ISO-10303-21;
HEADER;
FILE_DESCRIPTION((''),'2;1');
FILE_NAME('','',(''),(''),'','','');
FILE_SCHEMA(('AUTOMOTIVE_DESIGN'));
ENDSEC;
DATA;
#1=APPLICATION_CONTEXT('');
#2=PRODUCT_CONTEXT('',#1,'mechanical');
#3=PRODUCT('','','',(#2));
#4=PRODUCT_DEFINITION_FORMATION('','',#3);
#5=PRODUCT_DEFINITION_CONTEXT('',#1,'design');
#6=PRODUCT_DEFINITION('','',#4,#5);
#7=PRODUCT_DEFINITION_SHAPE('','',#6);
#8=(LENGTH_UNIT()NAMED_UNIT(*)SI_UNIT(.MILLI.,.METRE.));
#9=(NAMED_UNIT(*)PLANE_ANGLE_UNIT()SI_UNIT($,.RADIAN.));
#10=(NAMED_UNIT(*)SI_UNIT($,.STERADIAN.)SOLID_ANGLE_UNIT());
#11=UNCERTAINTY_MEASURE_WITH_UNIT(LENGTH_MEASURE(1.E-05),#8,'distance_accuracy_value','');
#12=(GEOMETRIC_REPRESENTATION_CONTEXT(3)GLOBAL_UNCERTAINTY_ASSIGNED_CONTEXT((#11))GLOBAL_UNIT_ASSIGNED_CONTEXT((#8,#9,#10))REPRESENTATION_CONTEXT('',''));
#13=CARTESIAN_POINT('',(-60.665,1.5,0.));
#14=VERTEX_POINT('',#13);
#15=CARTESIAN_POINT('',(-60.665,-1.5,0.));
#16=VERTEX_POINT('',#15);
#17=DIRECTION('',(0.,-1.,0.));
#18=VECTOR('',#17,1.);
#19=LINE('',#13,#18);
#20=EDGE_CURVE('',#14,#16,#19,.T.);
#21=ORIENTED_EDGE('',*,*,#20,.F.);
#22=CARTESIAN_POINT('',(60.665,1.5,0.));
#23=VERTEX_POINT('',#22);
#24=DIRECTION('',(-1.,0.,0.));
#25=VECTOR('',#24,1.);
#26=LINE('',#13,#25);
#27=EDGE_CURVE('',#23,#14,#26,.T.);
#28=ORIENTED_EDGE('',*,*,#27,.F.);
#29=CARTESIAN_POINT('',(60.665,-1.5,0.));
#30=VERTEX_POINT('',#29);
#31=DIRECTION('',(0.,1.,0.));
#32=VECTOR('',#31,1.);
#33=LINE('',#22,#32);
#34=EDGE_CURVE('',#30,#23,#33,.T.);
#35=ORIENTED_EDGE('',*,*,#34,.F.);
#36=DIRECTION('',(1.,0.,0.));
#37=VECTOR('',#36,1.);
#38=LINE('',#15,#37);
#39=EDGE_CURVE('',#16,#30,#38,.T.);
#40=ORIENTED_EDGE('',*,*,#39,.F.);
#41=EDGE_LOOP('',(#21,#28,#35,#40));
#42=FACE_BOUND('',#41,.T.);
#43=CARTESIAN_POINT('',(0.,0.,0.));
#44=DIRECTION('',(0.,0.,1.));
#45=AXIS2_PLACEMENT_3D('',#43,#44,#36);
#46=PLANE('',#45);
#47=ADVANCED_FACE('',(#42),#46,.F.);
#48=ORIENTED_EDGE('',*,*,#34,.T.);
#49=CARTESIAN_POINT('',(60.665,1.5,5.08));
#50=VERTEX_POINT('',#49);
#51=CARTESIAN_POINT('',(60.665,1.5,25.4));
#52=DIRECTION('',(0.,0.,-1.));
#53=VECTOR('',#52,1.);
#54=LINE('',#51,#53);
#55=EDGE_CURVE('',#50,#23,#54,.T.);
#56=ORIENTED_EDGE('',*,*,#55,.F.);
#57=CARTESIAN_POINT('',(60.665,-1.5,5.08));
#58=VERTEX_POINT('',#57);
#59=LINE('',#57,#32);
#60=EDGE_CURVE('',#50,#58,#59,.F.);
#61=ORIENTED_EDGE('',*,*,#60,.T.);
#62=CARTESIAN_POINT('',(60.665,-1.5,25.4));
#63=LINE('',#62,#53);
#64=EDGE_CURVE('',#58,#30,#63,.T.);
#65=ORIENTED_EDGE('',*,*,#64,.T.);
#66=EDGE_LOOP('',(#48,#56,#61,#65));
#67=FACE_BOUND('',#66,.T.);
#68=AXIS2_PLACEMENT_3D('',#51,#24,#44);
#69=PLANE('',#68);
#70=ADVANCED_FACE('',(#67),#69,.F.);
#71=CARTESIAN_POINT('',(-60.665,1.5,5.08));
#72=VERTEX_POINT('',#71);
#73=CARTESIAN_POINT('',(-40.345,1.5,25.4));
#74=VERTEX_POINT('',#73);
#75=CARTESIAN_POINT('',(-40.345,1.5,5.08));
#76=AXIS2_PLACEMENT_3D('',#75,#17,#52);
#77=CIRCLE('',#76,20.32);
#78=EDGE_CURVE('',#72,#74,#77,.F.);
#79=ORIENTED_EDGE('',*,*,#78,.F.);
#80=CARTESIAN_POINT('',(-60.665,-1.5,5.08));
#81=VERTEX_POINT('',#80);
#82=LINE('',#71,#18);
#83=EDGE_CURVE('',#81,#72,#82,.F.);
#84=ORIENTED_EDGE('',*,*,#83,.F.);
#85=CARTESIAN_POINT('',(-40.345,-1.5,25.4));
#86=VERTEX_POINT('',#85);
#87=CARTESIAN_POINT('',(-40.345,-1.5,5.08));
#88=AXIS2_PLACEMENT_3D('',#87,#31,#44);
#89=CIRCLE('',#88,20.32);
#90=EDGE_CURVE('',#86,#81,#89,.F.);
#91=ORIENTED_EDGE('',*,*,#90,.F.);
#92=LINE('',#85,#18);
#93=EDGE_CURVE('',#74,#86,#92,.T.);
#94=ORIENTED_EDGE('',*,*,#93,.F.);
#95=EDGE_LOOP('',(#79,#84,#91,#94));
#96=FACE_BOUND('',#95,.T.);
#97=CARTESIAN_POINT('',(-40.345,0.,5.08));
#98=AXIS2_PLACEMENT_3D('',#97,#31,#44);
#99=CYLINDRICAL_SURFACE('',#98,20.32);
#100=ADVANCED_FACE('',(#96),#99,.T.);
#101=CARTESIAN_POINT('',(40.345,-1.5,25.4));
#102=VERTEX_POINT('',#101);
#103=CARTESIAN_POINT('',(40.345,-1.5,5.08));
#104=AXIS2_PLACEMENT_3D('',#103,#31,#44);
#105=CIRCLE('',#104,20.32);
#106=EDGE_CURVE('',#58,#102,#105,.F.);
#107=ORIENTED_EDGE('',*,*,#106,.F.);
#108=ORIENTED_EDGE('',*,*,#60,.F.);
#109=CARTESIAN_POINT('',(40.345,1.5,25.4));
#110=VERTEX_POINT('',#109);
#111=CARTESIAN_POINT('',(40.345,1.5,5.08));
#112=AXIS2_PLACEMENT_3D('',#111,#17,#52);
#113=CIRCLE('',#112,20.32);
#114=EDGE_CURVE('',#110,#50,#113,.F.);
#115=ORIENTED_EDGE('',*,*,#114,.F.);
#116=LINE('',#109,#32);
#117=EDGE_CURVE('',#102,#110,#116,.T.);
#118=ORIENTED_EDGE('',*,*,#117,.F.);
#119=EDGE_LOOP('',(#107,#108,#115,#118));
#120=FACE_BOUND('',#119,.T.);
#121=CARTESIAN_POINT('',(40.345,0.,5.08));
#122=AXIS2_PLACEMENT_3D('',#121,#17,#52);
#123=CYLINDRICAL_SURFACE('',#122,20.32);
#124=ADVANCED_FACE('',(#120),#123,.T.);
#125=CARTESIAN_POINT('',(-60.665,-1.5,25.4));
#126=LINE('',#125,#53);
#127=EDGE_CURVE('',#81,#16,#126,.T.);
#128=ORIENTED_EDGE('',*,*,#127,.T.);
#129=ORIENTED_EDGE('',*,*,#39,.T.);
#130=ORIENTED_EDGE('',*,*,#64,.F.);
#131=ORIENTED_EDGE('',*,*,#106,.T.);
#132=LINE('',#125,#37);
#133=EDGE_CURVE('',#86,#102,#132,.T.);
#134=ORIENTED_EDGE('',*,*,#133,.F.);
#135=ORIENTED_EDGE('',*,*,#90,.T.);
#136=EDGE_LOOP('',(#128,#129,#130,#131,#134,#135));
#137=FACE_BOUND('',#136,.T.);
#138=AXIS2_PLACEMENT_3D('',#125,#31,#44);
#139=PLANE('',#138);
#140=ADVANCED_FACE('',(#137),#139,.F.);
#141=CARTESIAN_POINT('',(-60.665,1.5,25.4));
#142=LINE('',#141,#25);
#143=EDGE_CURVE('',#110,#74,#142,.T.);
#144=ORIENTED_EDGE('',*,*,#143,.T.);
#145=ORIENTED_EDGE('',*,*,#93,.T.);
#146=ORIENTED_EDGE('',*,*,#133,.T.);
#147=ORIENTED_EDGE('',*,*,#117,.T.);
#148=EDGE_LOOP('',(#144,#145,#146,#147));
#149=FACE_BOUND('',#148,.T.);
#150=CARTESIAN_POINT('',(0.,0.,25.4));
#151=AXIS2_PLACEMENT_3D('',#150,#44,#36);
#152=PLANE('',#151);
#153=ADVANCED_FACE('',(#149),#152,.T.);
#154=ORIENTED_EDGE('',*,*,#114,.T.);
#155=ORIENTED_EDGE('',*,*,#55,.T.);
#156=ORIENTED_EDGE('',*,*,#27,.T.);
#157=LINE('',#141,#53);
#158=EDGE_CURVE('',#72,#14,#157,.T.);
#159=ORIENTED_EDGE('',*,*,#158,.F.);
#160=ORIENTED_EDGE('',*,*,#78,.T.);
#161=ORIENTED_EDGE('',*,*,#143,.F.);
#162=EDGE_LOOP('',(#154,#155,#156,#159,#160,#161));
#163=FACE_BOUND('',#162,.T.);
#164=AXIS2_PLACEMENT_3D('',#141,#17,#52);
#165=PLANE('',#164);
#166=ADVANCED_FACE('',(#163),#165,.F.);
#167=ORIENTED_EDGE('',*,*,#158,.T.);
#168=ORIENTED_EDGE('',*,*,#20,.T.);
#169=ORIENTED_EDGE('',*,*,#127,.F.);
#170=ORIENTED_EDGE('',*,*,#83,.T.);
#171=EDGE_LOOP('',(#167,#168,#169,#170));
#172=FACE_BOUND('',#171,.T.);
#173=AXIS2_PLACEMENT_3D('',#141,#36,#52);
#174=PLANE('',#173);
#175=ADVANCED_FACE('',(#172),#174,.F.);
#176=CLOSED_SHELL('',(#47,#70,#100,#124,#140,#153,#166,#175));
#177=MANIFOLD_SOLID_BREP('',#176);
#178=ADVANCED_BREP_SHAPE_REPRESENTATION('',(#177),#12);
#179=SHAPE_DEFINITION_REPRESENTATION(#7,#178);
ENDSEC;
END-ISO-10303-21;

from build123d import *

# Parameters (mm, degrees)
SKETCH1_W           = 121.33
SKETCH1_H           = 3
BOSS_EXTRUDE1_DEPTH = 25.4
FILLET1_R           = 20.32


with BuildPart() as part:
    # Sketch1 → Boss-Extrude1 (new body)
    with BuildSketch(Plane.XY):
        Rectangle(SKETCH1_W, SKETCH1_H)
    extrude(amount=BOSS_EXTRUDE1_DEPTH)

    # Fillet1
    fillet1_edges = [part.edges().sort_by_distance(p)[0] for p in [
        (-60.665, 0, 25.4),
        (60.665, 0, 25.4),
    ]]
    fillet(fillet1_edges, radius=FILLET1_R)


solid = part.part
